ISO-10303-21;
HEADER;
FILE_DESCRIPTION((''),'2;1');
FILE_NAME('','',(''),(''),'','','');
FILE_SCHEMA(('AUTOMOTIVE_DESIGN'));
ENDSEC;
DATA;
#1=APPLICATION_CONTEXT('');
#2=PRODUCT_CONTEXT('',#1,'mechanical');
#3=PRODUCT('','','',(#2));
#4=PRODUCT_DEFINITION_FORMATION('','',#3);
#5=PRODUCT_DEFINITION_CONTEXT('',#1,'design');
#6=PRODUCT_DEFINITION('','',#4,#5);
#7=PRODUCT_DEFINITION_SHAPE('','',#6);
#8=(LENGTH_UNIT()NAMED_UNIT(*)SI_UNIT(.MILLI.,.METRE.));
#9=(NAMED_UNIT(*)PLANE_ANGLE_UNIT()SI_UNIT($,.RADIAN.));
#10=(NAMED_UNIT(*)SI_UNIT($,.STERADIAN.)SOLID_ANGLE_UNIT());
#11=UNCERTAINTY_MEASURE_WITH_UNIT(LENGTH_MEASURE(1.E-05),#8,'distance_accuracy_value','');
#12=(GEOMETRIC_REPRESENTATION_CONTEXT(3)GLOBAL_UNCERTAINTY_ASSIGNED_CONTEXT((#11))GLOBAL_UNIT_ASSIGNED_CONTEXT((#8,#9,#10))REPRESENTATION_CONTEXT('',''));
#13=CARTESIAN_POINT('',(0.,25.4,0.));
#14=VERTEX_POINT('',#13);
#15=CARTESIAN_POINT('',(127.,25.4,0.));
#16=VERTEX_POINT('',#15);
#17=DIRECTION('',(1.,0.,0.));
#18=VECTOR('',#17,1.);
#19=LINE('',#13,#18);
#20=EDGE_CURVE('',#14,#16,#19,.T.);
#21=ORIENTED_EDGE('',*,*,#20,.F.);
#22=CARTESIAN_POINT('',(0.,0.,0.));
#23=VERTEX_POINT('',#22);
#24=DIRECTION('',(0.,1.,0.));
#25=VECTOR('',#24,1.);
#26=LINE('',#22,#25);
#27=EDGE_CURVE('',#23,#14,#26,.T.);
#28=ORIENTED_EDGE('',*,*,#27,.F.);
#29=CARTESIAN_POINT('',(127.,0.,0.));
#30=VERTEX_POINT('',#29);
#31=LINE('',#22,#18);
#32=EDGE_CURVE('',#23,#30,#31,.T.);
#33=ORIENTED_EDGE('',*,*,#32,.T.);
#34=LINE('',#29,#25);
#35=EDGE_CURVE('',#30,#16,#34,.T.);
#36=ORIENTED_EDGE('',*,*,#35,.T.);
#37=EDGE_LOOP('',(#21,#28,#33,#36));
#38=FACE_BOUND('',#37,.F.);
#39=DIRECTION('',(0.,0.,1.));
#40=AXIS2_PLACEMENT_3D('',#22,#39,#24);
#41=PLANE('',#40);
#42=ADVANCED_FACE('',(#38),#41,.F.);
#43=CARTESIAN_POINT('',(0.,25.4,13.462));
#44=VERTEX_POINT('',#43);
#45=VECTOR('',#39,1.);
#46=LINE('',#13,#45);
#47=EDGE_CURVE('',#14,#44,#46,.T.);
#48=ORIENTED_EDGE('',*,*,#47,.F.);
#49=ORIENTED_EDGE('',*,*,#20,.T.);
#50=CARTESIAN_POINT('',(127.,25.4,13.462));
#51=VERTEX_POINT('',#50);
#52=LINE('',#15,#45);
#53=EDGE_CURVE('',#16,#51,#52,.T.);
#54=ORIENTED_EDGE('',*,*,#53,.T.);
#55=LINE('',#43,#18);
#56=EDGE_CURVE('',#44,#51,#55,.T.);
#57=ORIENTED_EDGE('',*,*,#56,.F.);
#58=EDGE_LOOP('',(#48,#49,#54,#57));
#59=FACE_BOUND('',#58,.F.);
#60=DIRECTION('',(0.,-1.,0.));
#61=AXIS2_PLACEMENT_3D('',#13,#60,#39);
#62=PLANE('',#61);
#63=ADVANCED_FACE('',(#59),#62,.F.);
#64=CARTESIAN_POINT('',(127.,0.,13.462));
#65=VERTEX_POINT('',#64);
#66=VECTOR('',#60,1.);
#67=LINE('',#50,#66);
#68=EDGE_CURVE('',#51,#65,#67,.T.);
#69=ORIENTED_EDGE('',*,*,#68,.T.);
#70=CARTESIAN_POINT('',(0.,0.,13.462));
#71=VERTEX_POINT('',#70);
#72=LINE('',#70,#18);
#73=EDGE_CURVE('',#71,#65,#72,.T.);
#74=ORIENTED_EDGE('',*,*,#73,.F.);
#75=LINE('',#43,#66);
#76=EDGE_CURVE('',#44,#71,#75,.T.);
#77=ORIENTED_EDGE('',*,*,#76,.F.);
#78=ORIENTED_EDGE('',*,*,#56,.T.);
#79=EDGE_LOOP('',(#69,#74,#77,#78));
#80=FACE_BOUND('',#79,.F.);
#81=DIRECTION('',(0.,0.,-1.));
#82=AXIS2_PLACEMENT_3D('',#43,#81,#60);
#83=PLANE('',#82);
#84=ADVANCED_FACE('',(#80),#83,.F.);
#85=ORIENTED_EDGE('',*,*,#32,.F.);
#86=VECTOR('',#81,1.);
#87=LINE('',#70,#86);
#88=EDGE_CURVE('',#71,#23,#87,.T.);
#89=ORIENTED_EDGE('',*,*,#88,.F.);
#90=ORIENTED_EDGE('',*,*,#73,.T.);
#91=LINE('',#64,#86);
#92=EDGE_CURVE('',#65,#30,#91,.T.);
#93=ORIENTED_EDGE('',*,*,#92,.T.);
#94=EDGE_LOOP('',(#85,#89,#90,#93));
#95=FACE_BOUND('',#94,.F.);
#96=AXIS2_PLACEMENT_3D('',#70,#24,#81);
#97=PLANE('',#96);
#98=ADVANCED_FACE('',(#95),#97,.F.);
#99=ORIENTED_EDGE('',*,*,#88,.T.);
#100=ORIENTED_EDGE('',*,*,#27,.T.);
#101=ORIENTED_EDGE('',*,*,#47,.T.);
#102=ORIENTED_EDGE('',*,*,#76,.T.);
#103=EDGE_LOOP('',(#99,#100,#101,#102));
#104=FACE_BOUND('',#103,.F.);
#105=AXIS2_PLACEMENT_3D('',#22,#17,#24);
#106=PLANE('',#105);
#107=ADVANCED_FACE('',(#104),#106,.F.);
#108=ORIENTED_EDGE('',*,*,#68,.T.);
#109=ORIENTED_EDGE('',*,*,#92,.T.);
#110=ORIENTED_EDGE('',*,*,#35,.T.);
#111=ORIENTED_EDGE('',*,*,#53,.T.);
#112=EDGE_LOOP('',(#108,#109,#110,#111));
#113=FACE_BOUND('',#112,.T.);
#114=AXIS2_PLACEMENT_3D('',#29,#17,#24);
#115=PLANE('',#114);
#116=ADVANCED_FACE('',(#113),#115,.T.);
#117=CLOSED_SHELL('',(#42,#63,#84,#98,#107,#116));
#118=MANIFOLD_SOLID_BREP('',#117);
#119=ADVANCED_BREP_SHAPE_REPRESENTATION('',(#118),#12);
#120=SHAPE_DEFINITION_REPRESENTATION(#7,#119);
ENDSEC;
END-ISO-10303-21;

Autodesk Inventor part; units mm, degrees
ref_plane "YZ Plane" through (0, 0, 0) normal (1, 0, 0) x (0, 1, 0)
ref_plane "XZ Plane" through (0, 0, 0) normal (0, 1, 0) x (-1, 0, 0)
ref_plane "XY Plane" through (0, 0, 0) normal (0, 0, 1) x (1, 0, 0)
sketch "Sketch1" plane through (0, 0, 0) normal (1, 0, 0) x (0, 1, 0)
  line L0 (0, 0) -> (25.4, 0)
  line L1 (25.4, 0) -> (25.4, 13.462)
  line L2 (25.4, 13.462) -> (0, 13.462)
  line L3 (0, 13.462) -> (0, 0)
  dimension "d0" = 25.4
  dimension "d1" = 13.462
extrude "Extrusion1" add sketch "Sketch1" along normal blind 127
properties part number "1x.61 Block 5 in"
